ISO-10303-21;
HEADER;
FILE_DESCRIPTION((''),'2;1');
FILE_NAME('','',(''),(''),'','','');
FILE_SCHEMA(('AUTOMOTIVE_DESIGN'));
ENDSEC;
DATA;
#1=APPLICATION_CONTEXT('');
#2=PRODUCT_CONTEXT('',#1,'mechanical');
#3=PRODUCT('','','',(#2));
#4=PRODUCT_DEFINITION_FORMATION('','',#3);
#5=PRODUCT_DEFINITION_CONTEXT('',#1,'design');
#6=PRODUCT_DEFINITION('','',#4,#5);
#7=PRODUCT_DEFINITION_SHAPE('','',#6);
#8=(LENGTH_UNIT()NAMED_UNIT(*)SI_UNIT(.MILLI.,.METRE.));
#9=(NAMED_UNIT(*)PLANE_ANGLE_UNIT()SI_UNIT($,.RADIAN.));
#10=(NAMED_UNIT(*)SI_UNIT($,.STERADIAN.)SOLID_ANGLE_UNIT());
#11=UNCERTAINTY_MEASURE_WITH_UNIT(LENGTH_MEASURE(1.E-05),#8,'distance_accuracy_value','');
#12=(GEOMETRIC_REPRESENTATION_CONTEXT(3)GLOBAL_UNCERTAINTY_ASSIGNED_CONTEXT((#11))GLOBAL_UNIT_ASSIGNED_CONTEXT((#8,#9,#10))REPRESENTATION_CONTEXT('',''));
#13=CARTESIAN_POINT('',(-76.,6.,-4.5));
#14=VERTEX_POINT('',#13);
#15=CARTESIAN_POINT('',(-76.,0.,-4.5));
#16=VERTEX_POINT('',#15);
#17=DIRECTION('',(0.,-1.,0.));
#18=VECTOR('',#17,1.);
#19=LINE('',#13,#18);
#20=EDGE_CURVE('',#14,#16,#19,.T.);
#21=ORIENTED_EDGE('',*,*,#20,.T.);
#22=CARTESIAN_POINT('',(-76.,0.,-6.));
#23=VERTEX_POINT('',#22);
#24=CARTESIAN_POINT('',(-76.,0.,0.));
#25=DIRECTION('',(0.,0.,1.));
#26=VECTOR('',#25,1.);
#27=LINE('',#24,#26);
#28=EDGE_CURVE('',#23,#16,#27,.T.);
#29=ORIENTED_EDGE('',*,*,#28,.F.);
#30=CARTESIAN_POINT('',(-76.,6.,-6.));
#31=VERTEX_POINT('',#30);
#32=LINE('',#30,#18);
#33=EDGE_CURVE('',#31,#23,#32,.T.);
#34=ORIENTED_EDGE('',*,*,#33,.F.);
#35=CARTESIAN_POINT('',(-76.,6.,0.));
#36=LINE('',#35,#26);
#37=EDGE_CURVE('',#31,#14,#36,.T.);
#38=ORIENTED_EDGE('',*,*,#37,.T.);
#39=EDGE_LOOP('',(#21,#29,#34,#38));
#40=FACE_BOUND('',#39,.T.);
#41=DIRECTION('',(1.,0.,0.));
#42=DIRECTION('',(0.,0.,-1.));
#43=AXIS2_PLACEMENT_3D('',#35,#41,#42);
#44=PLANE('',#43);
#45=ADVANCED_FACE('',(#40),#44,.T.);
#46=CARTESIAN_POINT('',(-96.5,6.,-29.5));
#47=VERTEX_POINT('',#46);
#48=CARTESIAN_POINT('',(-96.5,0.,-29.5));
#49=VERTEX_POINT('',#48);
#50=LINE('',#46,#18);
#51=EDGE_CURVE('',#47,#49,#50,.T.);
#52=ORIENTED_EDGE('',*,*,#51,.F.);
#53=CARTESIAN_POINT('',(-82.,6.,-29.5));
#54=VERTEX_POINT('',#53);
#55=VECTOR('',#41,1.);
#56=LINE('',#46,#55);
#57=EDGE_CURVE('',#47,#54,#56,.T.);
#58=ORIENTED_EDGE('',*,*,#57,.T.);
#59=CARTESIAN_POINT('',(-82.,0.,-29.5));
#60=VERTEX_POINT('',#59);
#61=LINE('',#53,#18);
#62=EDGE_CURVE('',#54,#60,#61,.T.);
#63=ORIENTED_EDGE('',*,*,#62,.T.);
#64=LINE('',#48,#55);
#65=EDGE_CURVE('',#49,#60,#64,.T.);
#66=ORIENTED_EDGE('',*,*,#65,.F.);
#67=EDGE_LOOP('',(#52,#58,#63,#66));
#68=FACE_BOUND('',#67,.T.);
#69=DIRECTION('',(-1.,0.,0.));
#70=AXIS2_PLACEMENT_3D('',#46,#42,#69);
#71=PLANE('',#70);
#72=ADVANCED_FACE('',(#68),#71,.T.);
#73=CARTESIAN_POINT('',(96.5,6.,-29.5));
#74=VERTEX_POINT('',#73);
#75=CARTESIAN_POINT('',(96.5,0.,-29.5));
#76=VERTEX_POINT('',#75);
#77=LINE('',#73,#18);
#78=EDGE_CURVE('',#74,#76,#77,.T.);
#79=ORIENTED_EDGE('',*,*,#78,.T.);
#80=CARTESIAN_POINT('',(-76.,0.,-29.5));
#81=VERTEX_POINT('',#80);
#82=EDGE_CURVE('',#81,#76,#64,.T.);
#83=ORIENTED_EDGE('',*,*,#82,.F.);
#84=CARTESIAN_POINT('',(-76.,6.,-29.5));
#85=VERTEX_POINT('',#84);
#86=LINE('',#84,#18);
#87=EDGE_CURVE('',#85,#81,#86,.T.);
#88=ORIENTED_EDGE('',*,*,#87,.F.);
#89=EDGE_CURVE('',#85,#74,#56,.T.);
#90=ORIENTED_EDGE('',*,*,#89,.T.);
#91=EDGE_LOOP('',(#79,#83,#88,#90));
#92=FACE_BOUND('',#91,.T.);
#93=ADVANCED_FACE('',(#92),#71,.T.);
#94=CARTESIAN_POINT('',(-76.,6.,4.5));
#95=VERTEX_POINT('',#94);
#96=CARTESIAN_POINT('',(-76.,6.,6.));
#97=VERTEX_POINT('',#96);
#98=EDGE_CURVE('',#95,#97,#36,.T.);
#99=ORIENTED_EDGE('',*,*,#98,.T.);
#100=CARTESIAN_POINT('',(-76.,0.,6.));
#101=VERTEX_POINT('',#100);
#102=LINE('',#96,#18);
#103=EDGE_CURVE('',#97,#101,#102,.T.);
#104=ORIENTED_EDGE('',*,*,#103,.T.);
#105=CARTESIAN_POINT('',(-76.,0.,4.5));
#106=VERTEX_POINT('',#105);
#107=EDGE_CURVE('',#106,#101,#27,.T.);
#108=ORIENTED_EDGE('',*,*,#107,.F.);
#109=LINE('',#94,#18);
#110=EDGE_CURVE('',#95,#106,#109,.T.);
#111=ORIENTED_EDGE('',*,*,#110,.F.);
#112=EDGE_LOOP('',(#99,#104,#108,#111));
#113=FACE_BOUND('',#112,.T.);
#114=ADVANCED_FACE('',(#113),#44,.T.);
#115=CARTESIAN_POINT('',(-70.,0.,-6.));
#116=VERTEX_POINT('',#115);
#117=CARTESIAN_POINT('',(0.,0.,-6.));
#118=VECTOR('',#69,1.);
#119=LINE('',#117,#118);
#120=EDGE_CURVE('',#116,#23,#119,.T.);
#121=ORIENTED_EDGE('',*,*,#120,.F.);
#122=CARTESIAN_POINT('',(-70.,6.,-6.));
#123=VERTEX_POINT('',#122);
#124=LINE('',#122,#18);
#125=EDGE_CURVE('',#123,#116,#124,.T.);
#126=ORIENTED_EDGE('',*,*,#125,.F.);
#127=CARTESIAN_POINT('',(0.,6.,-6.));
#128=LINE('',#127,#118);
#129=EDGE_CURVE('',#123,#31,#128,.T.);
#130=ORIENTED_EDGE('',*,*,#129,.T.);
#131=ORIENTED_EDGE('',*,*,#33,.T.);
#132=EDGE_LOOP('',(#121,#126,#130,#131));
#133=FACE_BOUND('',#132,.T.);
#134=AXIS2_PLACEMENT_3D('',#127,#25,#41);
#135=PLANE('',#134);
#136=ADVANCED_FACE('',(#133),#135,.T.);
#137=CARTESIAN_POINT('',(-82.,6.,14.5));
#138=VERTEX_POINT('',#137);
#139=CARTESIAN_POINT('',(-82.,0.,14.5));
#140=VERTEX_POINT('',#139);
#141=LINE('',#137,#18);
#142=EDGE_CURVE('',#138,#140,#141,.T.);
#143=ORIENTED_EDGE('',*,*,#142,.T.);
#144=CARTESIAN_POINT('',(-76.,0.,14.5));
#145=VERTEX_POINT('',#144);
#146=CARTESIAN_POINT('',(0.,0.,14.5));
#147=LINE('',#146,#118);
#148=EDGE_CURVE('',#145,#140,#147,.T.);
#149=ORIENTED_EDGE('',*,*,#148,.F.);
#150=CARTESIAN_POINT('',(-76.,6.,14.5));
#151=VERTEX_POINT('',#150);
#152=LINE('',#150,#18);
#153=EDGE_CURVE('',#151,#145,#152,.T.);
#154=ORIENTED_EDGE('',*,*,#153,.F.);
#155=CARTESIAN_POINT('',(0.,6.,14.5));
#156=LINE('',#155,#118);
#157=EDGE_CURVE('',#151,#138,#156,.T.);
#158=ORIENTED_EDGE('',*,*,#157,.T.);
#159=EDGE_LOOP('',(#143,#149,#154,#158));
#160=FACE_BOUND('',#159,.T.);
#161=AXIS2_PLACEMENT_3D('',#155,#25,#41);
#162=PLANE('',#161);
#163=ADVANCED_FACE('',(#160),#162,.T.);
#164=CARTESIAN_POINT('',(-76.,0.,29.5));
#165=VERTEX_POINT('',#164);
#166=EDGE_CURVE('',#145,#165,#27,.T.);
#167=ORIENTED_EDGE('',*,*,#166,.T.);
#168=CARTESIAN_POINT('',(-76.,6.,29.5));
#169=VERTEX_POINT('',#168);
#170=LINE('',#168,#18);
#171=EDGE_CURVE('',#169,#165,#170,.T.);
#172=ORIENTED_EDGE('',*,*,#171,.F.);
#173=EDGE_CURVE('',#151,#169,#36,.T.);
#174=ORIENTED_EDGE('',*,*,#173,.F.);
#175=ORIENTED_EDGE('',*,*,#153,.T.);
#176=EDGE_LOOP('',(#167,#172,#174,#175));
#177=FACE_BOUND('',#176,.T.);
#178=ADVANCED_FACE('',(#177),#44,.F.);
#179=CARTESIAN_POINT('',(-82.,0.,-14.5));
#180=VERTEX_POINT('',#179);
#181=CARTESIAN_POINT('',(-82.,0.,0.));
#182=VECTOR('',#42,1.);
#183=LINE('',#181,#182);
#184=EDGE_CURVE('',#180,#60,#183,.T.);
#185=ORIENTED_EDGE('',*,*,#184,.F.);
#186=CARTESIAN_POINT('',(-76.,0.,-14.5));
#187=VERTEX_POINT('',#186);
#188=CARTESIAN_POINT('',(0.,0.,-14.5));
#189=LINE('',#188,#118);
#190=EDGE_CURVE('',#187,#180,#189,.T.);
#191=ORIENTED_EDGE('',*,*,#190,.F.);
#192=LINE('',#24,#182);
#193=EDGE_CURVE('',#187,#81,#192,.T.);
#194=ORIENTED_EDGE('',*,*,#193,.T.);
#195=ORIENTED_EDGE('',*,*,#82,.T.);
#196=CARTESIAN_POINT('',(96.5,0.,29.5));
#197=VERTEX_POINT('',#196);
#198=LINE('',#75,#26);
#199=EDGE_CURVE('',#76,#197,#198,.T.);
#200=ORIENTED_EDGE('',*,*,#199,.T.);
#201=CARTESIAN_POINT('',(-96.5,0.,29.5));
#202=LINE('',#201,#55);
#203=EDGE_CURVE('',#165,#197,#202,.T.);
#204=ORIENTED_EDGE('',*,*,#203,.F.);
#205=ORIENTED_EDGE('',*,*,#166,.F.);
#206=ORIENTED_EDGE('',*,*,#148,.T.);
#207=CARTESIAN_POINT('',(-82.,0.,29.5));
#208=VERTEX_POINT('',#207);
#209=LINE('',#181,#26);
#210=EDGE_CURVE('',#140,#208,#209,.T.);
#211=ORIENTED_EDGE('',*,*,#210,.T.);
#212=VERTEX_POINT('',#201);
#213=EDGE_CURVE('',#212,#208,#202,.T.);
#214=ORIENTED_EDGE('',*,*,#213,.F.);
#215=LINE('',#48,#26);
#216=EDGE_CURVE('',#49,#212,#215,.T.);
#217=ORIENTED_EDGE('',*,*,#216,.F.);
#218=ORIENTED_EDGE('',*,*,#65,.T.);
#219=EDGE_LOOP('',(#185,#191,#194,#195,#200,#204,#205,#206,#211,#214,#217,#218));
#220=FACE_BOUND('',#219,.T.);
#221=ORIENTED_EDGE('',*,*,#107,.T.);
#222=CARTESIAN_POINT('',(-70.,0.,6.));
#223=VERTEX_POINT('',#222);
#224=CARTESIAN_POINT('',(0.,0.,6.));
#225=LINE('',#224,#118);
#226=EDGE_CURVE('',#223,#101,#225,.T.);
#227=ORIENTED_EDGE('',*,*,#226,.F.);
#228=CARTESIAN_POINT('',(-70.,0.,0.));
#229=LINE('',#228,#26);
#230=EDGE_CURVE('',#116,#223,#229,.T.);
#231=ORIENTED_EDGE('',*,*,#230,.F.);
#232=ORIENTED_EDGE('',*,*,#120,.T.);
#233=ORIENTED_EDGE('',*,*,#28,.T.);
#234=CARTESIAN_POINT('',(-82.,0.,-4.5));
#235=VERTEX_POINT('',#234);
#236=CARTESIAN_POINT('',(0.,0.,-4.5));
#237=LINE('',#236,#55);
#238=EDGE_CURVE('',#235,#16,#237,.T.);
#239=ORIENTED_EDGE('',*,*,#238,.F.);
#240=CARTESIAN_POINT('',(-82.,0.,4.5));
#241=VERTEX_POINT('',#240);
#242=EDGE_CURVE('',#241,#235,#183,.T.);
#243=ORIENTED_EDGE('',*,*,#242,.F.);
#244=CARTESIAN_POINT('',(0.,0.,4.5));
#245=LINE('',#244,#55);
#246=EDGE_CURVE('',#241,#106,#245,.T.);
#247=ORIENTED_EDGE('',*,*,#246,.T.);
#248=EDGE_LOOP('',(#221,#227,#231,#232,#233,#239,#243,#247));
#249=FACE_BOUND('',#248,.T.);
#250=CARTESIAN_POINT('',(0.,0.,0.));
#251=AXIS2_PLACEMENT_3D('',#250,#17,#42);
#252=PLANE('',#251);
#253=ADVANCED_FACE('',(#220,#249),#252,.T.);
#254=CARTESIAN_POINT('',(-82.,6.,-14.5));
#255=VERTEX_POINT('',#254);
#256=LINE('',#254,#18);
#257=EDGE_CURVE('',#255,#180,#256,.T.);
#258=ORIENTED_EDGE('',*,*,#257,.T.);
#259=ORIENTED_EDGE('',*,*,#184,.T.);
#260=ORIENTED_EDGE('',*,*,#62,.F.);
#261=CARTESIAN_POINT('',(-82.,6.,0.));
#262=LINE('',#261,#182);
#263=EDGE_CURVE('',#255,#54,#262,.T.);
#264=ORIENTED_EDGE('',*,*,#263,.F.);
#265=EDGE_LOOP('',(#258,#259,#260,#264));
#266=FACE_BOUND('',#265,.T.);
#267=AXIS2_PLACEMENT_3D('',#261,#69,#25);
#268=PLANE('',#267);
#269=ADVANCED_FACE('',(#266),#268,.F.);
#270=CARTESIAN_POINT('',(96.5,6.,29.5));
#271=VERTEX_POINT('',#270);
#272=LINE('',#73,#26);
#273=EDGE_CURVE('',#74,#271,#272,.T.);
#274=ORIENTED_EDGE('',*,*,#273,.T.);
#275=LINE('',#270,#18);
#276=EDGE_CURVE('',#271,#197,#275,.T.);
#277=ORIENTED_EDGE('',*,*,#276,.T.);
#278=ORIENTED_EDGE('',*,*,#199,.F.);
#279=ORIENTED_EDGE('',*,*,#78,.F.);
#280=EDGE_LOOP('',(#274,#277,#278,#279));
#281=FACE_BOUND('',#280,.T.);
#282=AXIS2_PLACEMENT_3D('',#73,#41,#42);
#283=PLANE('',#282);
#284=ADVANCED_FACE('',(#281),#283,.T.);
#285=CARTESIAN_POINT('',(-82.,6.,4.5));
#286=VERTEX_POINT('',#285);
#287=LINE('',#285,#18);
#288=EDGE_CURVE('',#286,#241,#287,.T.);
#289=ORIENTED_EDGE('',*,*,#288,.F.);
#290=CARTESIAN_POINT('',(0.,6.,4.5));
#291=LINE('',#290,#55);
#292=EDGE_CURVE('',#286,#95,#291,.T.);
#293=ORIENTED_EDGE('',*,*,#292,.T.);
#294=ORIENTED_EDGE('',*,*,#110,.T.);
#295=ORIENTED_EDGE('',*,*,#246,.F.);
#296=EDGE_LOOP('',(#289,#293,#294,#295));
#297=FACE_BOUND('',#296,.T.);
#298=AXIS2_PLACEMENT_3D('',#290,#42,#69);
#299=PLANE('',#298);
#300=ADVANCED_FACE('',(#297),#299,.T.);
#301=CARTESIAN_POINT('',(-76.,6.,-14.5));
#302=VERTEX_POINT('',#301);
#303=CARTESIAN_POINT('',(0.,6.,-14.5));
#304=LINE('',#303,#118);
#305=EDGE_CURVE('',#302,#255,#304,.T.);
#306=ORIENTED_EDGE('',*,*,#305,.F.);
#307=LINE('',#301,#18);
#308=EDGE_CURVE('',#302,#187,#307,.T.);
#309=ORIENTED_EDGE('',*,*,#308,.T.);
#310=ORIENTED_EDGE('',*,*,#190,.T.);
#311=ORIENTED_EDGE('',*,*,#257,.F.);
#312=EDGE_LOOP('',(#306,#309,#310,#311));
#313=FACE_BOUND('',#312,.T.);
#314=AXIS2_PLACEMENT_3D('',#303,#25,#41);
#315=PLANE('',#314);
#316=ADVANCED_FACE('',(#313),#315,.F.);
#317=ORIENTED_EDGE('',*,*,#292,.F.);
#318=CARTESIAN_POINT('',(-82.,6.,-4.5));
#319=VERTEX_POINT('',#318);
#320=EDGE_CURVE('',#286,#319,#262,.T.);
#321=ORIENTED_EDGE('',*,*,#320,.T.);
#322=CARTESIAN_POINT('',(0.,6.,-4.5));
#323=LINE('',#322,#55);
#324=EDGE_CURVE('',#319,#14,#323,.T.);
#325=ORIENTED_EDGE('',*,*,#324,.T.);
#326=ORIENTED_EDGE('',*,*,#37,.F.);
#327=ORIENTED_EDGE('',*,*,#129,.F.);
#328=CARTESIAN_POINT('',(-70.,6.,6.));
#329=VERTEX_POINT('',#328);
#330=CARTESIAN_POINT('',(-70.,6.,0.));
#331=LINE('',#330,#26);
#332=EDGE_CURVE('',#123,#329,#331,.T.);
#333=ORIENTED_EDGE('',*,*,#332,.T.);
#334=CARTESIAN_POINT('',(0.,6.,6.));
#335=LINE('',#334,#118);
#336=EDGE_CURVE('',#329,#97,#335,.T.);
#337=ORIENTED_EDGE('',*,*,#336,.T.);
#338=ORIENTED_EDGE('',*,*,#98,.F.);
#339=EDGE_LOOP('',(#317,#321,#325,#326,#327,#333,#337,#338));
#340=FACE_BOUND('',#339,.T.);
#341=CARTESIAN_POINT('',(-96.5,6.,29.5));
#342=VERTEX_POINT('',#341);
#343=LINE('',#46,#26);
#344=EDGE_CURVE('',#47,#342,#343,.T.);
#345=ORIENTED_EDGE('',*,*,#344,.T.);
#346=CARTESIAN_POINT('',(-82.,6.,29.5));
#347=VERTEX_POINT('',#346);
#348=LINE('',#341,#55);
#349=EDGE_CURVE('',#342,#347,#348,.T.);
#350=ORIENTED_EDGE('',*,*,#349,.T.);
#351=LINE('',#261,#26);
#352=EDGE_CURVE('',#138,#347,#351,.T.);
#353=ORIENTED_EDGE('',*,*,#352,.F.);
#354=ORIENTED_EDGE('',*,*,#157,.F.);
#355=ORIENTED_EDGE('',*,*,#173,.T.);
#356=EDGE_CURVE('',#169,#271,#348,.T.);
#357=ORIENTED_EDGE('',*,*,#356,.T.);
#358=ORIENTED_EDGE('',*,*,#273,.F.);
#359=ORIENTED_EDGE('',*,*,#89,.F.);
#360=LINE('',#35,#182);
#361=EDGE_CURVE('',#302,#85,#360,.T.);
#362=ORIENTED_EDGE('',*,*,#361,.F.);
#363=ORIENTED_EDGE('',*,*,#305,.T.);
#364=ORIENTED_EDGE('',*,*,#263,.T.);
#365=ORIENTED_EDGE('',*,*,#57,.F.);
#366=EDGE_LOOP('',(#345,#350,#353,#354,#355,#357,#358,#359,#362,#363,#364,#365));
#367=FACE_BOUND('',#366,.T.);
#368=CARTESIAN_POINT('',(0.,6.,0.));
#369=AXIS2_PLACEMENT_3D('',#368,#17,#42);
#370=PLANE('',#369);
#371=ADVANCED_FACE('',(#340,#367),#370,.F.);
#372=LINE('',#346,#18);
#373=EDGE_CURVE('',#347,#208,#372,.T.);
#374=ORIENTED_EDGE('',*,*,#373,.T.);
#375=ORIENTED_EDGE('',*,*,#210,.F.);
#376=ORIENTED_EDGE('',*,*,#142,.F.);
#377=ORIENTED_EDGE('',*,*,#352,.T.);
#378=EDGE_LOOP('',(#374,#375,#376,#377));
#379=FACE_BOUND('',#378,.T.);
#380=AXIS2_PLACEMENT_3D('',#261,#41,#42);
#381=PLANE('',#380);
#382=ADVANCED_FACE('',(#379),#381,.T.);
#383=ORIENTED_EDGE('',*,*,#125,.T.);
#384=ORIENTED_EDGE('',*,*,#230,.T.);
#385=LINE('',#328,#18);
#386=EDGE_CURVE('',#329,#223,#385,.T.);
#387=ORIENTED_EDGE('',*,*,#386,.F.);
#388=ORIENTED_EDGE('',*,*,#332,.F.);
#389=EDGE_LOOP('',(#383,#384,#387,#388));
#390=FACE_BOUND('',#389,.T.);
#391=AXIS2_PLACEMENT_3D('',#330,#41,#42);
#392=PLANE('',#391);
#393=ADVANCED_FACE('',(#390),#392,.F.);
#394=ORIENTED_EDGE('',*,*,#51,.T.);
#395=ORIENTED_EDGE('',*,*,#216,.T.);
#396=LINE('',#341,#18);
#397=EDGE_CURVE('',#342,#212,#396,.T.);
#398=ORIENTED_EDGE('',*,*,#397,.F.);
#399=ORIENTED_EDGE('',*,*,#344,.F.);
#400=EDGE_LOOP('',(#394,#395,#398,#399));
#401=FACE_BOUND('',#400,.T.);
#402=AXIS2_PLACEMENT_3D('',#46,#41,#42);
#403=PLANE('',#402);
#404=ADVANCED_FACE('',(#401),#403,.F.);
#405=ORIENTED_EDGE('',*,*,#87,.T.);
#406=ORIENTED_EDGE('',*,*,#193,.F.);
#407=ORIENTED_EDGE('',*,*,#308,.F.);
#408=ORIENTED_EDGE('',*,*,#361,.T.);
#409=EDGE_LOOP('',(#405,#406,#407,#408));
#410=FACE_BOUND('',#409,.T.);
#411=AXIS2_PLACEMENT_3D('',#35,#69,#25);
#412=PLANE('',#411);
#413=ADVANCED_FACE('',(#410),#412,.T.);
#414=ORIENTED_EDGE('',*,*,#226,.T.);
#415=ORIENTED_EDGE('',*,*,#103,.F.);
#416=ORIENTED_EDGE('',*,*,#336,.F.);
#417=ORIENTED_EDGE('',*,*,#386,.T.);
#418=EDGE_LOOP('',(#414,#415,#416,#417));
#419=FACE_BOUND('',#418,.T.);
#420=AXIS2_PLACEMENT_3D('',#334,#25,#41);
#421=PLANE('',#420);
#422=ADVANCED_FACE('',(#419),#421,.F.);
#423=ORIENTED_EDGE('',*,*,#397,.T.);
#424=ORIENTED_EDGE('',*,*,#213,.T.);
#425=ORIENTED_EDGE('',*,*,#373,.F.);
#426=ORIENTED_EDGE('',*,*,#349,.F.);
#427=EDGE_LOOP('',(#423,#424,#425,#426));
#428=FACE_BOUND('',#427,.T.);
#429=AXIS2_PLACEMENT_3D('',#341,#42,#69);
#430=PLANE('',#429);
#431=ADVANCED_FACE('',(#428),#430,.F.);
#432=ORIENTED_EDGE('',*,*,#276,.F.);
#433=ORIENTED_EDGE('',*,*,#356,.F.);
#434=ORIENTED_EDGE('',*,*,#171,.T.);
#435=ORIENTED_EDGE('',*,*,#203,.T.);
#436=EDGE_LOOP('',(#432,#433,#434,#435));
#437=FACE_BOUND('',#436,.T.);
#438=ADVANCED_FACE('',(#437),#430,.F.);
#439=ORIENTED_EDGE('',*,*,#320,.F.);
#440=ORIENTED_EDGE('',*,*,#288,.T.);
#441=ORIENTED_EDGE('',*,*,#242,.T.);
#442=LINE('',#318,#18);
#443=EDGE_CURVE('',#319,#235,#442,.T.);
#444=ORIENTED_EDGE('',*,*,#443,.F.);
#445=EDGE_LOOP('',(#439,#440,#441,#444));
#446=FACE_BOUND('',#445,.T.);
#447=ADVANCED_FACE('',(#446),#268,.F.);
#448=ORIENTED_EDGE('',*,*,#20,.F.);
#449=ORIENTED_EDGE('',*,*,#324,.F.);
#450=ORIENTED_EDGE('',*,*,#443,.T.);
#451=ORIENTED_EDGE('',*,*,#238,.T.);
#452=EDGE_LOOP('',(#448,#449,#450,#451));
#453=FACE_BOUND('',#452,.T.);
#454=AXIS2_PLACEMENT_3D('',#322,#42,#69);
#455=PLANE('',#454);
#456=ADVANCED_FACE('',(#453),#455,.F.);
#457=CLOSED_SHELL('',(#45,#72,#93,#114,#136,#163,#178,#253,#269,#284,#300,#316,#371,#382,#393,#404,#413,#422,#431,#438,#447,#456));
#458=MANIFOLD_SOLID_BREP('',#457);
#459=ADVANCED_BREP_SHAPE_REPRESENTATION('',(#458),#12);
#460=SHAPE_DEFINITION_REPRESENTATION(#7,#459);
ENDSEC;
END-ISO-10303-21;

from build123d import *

# Parameters (mm, degrees)
SKETCH1_W           = 193
SKETCH1_H           = 59
BOSS_EXTRUDE1_DEPTH = 6
SKETCH3_W           = 6
SKETCH3_H           = 15
SKETCH3_H_2         = 9
SKETCH3_H_3         = 12
CUT_EXTRUDE1_DEPTH  = 7
SKETCH4_W           = 199.10755054
SKETCH4_H           = 40.828336107
CUT_EXTRUDE2_DEPTH  = 7


with BuildPart() as part:
    # Sketch1 → Boss-Extrude1 (new body)
    with BuildSketch(Plane(origin=(0, 0, 0), x_dir=(1, 0, 0), z_dir=(0, 1, 0))):
        Rectangle(SKETCH1_W, SKETCH1_H)
    extrude(amount=BOSS_EXTRUDE1_DEPTH)

    # Sketch3 → Cut-Extrude1 (cut, through all)
    with BuildSketch(Plane(origin=(0, 0, 0), x_dir=(-1, 0, 0), z_dir=(0, -1, 0))):
        with Locations((79, 22)):
            Rectangle(SKETCH3_W, SKETCH3_H)
        with Locations((79, -22)):
            Rectangle(SKETCH3_W, SKETCH3_H)
        with Locations((79, 0)):
            Rectangle(SKETCH3_W, SKETCH3_H_2)
        with Locations((73, 0)):
            Rectangle(SKETCH3_W, SKETCH3_H_3)
    extrude(amount=-CUT_EXTRUDE1_DEPTH, mode=Mode.SUBTRACT)

    # Sketch4 → Cut-Extrude2 (cut, through all)
    with BuildSketch(Plane.XZ):
        with Locations((-141.775997492, -49.914168053)):
            Rectangle(SKETCH4_W, SKETCH4_H)
        with Locations((-107.998219714, -49.914168053)):
            Rectangle(SKETCH4_W, SKETCH4_H)
    cut_extrude2 = extrude(amount=-CUT_EXTRUDE2_DEPTH, mode=Mode.SUBTRACT)

    # Mirror1: Cut-Extrude2 across plane
    add(cut_extrude2.mirror(Plane.XY), mode=Mode.SUBTRACT)

    # Mirror2: Cut-Extrude2 across plane
    add(cut_extrude2.mirror(Plane(origin=(0, 0, 0), x_dir=(0, 0, 1), z_dir=(1, 0, 0))), mode=Mode.SUBTRACT)


solid = part.part
